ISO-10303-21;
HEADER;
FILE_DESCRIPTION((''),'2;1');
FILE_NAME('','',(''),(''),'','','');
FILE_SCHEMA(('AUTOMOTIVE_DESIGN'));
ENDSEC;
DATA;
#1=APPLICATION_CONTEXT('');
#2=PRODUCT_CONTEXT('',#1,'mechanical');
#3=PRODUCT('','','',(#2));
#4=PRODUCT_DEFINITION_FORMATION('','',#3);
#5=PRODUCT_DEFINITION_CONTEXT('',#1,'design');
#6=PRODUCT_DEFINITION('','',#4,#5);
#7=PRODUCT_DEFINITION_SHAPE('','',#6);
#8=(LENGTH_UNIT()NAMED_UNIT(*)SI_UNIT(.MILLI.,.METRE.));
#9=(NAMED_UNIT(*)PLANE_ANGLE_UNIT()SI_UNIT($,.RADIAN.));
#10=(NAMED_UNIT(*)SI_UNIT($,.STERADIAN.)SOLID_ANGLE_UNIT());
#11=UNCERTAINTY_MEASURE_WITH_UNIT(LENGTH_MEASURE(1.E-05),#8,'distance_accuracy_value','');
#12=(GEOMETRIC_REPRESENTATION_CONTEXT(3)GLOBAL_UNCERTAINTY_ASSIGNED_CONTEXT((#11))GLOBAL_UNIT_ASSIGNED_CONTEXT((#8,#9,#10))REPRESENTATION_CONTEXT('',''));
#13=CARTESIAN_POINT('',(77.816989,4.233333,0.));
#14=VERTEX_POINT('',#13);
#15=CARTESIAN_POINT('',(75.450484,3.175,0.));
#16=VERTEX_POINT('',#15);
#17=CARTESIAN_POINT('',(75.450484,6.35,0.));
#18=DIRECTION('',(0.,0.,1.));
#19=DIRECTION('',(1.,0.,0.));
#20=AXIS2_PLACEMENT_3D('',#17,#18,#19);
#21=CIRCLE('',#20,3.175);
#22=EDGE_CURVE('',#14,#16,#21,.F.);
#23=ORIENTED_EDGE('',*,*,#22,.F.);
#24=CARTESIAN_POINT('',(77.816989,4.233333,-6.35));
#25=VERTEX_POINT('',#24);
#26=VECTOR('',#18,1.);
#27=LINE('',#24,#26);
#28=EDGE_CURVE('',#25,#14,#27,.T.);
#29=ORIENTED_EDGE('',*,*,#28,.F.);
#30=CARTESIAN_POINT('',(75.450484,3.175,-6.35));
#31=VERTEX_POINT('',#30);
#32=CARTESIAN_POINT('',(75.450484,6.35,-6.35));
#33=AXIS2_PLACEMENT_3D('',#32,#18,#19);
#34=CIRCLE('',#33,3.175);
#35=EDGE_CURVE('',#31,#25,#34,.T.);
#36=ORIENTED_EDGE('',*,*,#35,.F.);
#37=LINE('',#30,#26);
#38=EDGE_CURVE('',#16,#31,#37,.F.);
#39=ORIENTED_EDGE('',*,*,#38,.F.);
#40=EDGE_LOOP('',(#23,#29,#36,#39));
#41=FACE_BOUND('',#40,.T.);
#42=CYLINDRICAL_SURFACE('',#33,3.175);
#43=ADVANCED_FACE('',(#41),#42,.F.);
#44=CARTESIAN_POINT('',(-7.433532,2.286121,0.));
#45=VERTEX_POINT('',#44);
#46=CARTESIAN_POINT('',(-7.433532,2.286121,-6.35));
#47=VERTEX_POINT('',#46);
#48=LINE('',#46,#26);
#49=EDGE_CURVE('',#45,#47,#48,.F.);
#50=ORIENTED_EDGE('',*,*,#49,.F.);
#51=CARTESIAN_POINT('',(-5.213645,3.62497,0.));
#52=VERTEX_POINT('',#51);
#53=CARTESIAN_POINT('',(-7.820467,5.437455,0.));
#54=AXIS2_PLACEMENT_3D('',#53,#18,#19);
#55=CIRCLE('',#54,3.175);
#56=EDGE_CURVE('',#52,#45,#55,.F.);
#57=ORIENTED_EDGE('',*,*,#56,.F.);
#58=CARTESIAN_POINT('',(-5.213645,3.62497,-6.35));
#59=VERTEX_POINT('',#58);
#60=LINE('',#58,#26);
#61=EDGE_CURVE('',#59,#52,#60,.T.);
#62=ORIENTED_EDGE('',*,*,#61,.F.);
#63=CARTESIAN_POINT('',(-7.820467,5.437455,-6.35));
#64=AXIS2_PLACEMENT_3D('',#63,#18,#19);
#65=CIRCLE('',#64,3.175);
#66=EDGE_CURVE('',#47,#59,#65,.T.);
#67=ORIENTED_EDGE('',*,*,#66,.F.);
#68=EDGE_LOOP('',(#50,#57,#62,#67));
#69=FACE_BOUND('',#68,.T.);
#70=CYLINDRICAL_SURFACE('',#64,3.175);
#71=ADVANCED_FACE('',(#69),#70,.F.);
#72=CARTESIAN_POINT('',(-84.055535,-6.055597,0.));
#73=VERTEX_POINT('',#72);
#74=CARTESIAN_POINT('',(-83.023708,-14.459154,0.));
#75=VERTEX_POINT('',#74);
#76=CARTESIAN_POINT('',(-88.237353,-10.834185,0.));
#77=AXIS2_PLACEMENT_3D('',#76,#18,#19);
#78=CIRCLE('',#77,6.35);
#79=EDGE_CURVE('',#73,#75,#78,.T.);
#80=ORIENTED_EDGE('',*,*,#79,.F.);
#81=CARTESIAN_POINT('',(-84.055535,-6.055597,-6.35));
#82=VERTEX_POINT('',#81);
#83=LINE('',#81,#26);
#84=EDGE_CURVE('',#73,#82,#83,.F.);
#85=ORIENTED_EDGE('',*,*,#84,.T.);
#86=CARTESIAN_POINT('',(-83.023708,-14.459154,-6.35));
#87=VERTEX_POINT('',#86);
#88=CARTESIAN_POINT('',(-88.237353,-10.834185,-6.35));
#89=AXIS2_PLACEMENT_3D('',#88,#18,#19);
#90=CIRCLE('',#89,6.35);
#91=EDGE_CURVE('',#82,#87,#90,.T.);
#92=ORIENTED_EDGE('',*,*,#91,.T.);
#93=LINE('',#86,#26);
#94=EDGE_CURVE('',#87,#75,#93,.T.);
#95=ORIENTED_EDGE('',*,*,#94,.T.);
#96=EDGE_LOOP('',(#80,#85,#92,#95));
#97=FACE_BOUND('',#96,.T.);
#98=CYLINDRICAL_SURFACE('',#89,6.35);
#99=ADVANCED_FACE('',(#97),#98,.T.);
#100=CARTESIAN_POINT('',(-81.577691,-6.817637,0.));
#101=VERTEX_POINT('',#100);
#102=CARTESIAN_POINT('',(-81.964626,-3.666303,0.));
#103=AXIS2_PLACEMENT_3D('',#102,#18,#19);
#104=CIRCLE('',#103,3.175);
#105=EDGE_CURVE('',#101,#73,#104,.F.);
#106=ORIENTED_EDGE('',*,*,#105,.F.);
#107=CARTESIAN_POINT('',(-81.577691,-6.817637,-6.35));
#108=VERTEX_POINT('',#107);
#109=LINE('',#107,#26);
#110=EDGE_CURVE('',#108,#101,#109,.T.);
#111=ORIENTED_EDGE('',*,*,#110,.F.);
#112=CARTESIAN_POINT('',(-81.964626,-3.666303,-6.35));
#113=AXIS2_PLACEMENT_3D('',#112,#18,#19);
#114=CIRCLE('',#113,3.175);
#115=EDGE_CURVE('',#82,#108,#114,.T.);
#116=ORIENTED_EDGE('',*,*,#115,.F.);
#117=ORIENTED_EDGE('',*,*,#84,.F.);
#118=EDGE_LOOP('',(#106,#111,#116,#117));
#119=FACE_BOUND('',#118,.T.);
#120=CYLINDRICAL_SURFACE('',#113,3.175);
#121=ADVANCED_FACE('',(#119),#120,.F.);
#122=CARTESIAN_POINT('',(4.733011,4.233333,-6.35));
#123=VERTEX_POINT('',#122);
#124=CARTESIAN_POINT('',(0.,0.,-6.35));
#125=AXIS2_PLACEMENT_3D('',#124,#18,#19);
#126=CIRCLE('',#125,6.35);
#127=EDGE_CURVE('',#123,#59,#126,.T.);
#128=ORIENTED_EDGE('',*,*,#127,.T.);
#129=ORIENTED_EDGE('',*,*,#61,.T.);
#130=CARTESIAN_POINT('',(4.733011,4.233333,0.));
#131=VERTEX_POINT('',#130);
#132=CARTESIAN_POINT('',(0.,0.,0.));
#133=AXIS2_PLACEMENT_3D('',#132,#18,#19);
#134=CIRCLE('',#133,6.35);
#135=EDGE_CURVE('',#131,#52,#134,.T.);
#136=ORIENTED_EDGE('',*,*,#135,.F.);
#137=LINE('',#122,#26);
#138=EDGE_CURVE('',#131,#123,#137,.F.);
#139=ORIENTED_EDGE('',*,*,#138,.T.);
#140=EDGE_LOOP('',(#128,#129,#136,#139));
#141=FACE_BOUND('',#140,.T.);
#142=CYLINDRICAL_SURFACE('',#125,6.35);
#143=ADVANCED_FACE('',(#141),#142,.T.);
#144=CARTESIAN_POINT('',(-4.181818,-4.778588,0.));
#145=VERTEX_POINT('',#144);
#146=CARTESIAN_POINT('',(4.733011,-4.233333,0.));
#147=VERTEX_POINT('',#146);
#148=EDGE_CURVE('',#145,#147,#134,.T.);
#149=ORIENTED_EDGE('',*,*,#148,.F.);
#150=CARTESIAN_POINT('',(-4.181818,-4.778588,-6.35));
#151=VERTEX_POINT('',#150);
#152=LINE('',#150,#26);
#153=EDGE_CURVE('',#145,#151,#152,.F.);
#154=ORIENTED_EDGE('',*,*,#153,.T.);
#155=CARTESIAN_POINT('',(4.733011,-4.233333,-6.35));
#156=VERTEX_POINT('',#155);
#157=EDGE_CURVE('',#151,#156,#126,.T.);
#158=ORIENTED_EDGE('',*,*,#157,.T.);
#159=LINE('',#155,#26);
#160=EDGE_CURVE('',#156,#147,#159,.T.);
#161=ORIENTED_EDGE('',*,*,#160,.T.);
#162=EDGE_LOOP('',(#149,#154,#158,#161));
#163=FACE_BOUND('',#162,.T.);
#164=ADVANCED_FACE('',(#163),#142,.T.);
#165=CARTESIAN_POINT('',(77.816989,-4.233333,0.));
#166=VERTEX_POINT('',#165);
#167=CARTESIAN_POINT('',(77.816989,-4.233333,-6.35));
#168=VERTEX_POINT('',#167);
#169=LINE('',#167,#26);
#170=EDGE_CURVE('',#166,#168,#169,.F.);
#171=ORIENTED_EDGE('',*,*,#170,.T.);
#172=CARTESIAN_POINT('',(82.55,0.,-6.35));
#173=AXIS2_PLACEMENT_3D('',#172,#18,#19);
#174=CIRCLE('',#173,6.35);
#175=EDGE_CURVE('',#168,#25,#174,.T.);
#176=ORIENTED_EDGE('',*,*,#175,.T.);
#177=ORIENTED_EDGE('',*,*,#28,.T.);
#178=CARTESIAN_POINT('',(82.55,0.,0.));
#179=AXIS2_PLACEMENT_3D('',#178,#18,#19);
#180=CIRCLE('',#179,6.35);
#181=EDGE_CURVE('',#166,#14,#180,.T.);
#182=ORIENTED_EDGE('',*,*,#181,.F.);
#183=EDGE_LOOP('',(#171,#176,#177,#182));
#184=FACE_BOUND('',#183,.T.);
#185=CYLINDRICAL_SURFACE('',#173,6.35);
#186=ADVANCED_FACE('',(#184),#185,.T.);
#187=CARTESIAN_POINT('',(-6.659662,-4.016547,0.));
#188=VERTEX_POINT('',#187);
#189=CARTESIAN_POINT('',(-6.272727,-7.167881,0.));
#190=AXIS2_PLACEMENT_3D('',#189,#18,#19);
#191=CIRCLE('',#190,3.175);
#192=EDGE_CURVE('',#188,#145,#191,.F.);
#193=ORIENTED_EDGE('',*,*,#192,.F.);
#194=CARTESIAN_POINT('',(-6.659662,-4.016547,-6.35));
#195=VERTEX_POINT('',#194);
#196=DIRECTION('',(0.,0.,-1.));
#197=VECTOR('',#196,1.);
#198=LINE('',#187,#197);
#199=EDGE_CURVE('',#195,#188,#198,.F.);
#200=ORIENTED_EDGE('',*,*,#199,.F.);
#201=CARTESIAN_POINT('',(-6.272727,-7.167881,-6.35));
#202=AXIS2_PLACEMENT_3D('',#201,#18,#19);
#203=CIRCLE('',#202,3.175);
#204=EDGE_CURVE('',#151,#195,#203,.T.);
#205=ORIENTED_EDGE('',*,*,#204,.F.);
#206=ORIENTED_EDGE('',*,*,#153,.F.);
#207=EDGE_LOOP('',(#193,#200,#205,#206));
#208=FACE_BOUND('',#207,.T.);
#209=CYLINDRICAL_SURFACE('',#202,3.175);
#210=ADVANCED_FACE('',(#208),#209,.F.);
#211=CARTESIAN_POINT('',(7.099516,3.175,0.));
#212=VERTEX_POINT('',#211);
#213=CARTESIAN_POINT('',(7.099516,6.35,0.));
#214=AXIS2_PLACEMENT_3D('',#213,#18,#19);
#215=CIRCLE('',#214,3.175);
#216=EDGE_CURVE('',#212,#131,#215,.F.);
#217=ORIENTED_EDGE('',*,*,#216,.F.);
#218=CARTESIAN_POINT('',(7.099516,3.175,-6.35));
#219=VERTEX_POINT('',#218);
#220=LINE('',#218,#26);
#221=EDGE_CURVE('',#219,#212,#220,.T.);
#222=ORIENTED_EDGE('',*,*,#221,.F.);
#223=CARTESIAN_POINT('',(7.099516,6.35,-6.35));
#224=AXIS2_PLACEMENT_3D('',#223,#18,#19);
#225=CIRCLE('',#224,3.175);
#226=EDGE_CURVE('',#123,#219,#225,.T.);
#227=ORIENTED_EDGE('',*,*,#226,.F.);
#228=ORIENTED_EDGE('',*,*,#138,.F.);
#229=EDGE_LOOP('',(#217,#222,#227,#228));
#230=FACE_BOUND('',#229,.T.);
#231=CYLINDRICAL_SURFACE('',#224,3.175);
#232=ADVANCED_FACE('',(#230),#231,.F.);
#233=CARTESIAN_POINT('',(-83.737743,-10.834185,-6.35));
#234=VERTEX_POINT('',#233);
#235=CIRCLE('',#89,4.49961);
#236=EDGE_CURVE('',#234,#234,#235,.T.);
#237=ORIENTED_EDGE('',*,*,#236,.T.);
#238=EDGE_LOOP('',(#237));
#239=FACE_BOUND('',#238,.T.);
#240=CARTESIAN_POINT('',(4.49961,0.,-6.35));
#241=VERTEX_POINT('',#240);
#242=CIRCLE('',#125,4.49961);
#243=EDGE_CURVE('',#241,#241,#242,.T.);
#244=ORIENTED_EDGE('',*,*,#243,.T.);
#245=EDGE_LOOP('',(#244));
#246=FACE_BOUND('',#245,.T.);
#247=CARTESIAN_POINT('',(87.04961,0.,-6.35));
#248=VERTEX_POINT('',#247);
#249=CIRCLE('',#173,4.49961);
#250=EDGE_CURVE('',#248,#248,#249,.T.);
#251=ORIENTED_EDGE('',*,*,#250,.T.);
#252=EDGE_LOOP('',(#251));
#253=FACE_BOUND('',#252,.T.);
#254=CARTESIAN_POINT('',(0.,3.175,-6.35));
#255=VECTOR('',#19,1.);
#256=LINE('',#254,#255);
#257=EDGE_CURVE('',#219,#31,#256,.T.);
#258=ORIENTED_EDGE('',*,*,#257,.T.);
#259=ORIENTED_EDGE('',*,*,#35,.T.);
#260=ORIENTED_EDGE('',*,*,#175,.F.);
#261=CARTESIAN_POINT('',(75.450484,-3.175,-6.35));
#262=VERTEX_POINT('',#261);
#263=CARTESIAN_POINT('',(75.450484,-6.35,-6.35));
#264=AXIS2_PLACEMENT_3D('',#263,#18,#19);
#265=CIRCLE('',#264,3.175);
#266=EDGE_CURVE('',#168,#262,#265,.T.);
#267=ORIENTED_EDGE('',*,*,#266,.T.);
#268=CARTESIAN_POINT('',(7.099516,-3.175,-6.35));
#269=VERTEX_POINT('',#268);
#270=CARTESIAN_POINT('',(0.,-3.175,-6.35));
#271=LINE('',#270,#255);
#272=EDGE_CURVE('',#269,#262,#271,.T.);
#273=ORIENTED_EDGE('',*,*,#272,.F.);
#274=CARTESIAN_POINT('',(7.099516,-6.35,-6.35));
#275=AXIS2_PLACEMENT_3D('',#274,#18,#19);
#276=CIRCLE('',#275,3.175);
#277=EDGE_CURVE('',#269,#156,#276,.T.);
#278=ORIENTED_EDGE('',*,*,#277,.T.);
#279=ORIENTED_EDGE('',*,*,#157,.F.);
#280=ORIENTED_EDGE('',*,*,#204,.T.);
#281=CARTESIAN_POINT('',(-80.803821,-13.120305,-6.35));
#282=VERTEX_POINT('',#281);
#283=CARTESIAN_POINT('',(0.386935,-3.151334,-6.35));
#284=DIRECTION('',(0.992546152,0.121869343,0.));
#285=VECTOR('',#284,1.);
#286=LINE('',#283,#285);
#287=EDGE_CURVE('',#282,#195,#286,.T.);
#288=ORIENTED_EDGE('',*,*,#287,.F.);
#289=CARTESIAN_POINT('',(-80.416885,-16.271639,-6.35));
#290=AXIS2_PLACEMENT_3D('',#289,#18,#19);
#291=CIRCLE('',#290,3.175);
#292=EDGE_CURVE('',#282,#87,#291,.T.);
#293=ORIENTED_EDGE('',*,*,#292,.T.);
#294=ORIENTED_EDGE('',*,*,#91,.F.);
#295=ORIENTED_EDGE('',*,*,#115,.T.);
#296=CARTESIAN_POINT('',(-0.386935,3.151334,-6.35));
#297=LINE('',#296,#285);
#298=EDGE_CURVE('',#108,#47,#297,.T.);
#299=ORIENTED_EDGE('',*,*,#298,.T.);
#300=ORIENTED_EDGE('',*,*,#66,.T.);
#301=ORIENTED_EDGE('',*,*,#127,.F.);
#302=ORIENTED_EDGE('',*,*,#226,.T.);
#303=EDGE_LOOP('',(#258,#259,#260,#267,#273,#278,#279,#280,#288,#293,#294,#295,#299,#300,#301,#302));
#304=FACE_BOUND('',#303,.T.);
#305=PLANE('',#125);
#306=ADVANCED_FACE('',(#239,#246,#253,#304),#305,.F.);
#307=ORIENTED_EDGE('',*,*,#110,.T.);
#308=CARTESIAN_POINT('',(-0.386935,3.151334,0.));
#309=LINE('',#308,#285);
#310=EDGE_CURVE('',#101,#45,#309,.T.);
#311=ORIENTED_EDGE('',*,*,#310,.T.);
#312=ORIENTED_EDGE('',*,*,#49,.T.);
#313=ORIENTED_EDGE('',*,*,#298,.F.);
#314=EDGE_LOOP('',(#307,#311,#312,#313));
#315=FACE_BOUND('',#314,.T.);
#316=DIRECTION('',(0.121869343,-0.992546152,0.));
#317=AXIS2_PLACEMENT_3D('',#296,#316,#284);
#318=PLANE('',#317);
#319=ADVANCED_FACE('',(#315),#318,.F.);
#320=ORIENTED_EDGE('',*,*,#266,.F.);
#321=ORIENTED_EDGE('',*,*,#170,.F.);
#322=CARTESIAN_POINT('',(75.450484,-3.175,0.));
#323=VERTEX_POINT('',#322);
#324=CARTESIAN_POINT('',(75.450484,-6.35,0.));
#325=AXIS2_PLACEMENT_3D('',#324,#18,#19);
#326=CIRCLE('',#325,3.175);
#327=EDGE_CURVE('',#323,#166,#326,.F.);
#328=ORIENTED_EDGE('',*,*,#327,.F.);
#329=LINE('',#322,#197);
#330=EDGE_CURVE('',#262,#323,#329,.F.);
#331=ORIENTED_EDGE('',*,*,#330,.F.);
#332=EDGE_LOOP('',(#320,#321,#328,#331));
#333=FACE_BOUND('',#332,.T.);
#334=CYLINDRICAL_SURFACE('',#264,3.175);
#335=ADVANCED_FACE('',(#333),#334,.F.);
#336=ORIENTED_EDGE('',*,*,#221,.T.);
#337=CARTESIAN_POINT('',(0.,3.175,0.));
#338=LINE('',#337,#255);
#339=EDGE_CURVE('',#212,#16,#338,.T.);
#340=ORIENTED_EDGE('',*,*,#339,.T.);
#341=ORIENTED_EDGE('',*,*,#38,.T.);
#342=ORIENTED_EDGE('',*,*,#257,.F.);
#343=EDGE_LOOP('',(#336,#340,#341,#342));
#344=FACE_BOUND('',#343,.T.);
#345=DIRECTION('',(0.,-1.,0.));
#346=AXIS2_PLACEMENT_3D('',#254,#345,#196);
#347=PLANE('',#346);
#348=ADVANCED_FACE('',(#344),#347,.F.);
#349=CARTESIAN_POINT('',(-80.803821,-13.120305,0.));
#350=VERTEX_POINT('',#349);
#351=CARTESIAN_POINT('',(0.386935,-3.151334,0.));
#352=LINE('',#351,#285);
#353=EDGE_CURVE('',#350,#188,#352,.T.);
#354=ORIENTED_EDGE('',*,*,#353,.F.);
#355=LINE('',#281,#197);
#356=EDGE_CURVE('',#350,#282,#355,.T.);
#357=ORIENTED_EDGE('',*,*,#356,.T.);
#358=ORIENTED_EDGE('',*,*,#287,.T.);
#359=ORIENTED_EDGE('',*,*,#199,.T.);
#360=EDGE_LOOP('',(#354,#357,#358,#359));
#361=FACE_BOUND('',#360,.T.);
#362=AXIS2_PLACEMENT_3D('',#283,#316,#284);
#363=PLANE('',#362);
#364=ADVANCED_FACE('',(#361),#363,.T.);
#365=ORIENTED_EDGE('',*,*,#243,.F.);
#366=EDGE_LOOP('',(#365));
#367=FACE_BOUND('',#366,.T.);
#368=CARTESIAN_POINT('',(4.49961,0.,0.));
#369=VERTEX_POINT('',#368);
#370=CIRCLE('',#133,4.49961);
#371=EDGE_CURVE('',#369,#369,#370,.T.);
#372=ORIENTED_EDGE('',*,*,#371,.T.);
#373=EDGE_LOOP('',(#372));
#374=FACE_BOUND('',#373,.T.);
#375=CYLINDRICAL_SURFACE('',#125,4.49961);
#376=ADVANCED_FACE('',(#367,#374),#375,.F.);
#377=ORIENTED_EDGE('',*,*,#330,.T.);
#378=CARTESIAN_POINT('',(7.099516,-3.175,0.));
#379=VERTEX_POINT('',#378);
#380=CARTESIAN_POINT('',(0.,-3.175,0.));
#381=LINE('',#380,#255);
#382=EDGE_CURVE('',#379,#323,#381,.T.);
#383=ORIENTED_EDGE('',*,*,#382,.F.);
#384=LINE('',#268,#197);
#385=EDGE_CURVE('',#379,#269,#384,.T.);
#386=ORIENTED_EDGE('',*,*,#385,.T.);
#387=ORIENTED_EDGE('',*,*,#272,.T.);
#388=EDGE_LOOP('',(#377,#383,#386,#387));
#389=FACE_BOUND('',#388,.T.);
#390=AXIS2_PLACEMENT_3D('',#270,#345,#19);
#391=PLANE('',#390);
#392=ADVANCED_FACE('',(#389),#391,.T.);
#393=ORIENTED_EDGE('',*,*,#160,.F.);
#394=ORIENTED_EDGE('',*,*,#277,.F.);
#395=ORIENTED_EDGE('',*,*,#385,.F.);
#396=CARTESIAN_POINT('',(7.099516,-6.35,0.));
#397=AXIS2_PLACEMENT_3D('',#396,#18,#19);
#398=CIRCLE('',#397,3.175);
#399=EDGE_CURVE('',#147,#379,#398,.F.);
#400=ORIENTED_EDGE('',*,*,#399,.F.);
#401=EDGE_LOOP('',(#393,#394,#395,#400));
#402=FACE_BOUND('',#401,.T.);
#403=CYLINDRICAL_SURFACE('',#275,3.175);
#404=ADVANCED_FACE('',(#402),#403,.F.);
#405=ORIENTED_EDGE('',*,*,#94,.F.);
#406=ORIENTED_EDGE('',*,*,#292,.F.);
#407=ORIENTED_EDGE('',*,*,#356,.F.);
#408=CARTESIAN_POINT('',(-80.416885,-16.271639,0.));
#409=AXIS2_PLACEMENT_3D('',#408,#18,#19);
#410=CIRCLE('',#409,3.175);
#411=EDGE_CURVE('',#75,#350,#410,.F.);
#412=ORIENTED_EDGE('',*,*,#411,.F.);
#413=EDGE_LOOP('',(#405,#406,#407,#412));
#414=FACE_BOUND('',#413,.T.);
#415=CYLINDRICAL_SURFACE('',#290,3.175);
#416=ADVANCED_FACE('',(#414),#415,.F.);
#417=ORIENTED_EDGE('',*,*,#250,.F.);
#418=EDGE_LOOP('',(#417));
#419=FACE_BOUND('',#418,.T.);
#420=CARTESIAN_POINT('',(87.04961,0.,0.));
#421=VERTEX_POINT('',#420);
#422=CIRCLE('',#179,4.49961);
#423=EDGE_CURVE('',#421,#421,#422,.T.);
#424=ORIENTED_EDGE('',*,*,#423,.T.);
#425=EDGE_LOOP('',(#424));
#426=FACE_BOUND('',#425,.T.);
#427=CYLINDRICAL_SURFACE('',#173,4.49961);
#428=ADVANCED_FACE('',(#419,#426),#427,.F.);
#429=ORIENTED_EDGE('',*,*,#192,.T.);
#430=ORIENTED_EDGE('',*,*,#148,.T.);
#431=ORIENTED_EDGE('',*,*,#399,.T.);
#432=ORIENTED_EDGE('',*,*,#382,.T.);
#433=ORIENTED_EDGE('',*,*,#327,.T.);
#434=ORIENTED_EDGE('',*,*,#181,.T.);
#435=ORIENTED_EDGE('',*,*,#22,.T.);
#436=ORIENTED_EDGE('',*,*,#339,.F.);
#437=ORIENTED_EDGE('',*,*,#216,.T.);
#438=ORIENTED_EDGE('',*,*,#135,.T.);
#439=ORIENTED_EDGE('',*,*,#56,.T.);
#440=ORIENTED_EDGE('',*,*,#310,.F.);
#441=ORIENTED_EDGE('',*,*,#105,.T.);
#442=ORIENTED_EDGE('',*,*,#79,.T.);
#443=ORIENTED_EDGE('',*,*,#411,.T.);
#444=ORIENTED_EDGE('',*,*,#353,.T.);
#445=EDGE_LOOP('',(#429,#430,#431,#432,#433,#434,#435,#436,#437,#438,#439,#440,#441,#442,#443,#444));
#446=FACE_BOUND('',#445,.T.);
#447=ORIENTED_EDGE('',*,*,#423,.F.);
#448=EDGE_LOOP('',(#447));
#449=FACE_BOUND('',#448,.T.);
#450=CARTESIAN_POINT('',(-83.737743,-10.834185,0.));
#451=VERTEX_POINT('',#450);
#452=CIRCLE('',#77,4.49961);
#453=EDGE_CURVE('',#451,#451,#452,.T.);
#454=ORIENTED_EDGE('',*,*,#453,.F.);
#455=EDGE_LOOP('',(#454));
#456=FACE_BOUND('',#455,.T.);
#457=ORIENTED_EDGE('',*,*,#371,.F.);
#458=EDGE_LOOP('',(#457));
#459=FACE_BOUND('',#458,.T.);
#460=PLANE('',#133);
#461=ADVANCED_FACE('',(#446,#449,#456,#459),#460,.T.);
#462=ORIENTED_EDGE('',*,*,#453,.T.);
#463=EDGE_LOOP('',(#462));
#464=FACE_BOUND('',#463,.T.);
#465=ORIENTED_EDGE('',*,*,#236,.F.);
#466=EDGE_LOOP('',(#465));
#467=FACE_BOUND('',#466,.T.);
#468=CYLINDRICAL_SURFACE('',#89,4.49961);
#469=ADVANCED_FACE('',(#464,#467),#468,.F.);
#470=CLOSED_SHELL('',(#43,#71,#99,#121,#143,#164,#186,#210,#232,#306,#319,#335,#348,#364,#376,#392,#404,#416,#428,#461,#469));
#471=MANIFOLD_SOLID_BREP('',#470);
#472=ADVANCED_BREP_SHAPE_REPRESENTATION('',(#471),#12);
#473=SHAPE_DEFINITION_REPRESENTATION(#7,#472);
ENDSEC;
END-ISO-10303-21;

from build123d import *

# Parameters (mm, degrees)
SKETCH1_R           = 4.49961
BOSS_EXTRUDE2_DEPTH = 6.35
FILLET2_R           = 3.175


with BuildPart() as part:
    # Sketch1 → Boss-Extrude2 (new body)
    with BuildSketch(Plane.XY):
        with BuildLine():
            Line((77.050738686, 3.175), (5.499261314, 3.175))
            ThreePointArc((5.499261314, 3.175), (-0.387658226, 6.33815597), (-5.845205819, 2.481142666))
            Line((-5.845205819, 2.481142666), (-83.166017392, -7.012659232))
            ThreePointArc((-83.166017392, -7.012659232), (-94.540020944, -11.608054959), (-82.392147061, -13.315327295))
            Line((-82.392147061, -13.315327295), (-5.071335489, -3.821525397))
            ThreePointArc((-5.071335489, -3.821525397), (0.387658226, -6.33815597), (5.499261314, -3.175))
            Line((5.499261314, -3.175), (77.050738686, -3.175))
            ThreePointArc((77.050738686, -3.175), (88.9, 0), (77.050738686, 3.175))
        make_face()
        Circle(SKETCH1_R, mode=Mode.SUBTRACT)
        with Locations((82.55, 0)):
            Circle(SKETCH1_R, mode=Mode.SUBTRACT)
        with Locations((-88.237352881, -10.834184629)):
            Circle(SKETCH1_R, mode=Mode.SUBTRACT)
    extrude(amount=-BOSS_EXTRUDE2_DEPTH)

    # Fillet2
    fillet2_edges = [part.edges().sort_by_distance(p)[0] for p in [
        (-5.845205819, 2.481142666, -3.175),
        (5.499261314, 3.175, -3.175),
        (77.050738686, 3.175, -3.175),
        (77.050738686, -3.175, -3.175),
        (5.499261314, -3.175, -3.175),
        (-5.071335489, -3.821525397, -3.175),
        (-82.392147061, -13.315327295, -3.175),
        (-83.166017392, -7.012659232, -3.175),
    ]]
    fillet(fillet2_edges, radius=FILLET2_R)


solid = part.part
